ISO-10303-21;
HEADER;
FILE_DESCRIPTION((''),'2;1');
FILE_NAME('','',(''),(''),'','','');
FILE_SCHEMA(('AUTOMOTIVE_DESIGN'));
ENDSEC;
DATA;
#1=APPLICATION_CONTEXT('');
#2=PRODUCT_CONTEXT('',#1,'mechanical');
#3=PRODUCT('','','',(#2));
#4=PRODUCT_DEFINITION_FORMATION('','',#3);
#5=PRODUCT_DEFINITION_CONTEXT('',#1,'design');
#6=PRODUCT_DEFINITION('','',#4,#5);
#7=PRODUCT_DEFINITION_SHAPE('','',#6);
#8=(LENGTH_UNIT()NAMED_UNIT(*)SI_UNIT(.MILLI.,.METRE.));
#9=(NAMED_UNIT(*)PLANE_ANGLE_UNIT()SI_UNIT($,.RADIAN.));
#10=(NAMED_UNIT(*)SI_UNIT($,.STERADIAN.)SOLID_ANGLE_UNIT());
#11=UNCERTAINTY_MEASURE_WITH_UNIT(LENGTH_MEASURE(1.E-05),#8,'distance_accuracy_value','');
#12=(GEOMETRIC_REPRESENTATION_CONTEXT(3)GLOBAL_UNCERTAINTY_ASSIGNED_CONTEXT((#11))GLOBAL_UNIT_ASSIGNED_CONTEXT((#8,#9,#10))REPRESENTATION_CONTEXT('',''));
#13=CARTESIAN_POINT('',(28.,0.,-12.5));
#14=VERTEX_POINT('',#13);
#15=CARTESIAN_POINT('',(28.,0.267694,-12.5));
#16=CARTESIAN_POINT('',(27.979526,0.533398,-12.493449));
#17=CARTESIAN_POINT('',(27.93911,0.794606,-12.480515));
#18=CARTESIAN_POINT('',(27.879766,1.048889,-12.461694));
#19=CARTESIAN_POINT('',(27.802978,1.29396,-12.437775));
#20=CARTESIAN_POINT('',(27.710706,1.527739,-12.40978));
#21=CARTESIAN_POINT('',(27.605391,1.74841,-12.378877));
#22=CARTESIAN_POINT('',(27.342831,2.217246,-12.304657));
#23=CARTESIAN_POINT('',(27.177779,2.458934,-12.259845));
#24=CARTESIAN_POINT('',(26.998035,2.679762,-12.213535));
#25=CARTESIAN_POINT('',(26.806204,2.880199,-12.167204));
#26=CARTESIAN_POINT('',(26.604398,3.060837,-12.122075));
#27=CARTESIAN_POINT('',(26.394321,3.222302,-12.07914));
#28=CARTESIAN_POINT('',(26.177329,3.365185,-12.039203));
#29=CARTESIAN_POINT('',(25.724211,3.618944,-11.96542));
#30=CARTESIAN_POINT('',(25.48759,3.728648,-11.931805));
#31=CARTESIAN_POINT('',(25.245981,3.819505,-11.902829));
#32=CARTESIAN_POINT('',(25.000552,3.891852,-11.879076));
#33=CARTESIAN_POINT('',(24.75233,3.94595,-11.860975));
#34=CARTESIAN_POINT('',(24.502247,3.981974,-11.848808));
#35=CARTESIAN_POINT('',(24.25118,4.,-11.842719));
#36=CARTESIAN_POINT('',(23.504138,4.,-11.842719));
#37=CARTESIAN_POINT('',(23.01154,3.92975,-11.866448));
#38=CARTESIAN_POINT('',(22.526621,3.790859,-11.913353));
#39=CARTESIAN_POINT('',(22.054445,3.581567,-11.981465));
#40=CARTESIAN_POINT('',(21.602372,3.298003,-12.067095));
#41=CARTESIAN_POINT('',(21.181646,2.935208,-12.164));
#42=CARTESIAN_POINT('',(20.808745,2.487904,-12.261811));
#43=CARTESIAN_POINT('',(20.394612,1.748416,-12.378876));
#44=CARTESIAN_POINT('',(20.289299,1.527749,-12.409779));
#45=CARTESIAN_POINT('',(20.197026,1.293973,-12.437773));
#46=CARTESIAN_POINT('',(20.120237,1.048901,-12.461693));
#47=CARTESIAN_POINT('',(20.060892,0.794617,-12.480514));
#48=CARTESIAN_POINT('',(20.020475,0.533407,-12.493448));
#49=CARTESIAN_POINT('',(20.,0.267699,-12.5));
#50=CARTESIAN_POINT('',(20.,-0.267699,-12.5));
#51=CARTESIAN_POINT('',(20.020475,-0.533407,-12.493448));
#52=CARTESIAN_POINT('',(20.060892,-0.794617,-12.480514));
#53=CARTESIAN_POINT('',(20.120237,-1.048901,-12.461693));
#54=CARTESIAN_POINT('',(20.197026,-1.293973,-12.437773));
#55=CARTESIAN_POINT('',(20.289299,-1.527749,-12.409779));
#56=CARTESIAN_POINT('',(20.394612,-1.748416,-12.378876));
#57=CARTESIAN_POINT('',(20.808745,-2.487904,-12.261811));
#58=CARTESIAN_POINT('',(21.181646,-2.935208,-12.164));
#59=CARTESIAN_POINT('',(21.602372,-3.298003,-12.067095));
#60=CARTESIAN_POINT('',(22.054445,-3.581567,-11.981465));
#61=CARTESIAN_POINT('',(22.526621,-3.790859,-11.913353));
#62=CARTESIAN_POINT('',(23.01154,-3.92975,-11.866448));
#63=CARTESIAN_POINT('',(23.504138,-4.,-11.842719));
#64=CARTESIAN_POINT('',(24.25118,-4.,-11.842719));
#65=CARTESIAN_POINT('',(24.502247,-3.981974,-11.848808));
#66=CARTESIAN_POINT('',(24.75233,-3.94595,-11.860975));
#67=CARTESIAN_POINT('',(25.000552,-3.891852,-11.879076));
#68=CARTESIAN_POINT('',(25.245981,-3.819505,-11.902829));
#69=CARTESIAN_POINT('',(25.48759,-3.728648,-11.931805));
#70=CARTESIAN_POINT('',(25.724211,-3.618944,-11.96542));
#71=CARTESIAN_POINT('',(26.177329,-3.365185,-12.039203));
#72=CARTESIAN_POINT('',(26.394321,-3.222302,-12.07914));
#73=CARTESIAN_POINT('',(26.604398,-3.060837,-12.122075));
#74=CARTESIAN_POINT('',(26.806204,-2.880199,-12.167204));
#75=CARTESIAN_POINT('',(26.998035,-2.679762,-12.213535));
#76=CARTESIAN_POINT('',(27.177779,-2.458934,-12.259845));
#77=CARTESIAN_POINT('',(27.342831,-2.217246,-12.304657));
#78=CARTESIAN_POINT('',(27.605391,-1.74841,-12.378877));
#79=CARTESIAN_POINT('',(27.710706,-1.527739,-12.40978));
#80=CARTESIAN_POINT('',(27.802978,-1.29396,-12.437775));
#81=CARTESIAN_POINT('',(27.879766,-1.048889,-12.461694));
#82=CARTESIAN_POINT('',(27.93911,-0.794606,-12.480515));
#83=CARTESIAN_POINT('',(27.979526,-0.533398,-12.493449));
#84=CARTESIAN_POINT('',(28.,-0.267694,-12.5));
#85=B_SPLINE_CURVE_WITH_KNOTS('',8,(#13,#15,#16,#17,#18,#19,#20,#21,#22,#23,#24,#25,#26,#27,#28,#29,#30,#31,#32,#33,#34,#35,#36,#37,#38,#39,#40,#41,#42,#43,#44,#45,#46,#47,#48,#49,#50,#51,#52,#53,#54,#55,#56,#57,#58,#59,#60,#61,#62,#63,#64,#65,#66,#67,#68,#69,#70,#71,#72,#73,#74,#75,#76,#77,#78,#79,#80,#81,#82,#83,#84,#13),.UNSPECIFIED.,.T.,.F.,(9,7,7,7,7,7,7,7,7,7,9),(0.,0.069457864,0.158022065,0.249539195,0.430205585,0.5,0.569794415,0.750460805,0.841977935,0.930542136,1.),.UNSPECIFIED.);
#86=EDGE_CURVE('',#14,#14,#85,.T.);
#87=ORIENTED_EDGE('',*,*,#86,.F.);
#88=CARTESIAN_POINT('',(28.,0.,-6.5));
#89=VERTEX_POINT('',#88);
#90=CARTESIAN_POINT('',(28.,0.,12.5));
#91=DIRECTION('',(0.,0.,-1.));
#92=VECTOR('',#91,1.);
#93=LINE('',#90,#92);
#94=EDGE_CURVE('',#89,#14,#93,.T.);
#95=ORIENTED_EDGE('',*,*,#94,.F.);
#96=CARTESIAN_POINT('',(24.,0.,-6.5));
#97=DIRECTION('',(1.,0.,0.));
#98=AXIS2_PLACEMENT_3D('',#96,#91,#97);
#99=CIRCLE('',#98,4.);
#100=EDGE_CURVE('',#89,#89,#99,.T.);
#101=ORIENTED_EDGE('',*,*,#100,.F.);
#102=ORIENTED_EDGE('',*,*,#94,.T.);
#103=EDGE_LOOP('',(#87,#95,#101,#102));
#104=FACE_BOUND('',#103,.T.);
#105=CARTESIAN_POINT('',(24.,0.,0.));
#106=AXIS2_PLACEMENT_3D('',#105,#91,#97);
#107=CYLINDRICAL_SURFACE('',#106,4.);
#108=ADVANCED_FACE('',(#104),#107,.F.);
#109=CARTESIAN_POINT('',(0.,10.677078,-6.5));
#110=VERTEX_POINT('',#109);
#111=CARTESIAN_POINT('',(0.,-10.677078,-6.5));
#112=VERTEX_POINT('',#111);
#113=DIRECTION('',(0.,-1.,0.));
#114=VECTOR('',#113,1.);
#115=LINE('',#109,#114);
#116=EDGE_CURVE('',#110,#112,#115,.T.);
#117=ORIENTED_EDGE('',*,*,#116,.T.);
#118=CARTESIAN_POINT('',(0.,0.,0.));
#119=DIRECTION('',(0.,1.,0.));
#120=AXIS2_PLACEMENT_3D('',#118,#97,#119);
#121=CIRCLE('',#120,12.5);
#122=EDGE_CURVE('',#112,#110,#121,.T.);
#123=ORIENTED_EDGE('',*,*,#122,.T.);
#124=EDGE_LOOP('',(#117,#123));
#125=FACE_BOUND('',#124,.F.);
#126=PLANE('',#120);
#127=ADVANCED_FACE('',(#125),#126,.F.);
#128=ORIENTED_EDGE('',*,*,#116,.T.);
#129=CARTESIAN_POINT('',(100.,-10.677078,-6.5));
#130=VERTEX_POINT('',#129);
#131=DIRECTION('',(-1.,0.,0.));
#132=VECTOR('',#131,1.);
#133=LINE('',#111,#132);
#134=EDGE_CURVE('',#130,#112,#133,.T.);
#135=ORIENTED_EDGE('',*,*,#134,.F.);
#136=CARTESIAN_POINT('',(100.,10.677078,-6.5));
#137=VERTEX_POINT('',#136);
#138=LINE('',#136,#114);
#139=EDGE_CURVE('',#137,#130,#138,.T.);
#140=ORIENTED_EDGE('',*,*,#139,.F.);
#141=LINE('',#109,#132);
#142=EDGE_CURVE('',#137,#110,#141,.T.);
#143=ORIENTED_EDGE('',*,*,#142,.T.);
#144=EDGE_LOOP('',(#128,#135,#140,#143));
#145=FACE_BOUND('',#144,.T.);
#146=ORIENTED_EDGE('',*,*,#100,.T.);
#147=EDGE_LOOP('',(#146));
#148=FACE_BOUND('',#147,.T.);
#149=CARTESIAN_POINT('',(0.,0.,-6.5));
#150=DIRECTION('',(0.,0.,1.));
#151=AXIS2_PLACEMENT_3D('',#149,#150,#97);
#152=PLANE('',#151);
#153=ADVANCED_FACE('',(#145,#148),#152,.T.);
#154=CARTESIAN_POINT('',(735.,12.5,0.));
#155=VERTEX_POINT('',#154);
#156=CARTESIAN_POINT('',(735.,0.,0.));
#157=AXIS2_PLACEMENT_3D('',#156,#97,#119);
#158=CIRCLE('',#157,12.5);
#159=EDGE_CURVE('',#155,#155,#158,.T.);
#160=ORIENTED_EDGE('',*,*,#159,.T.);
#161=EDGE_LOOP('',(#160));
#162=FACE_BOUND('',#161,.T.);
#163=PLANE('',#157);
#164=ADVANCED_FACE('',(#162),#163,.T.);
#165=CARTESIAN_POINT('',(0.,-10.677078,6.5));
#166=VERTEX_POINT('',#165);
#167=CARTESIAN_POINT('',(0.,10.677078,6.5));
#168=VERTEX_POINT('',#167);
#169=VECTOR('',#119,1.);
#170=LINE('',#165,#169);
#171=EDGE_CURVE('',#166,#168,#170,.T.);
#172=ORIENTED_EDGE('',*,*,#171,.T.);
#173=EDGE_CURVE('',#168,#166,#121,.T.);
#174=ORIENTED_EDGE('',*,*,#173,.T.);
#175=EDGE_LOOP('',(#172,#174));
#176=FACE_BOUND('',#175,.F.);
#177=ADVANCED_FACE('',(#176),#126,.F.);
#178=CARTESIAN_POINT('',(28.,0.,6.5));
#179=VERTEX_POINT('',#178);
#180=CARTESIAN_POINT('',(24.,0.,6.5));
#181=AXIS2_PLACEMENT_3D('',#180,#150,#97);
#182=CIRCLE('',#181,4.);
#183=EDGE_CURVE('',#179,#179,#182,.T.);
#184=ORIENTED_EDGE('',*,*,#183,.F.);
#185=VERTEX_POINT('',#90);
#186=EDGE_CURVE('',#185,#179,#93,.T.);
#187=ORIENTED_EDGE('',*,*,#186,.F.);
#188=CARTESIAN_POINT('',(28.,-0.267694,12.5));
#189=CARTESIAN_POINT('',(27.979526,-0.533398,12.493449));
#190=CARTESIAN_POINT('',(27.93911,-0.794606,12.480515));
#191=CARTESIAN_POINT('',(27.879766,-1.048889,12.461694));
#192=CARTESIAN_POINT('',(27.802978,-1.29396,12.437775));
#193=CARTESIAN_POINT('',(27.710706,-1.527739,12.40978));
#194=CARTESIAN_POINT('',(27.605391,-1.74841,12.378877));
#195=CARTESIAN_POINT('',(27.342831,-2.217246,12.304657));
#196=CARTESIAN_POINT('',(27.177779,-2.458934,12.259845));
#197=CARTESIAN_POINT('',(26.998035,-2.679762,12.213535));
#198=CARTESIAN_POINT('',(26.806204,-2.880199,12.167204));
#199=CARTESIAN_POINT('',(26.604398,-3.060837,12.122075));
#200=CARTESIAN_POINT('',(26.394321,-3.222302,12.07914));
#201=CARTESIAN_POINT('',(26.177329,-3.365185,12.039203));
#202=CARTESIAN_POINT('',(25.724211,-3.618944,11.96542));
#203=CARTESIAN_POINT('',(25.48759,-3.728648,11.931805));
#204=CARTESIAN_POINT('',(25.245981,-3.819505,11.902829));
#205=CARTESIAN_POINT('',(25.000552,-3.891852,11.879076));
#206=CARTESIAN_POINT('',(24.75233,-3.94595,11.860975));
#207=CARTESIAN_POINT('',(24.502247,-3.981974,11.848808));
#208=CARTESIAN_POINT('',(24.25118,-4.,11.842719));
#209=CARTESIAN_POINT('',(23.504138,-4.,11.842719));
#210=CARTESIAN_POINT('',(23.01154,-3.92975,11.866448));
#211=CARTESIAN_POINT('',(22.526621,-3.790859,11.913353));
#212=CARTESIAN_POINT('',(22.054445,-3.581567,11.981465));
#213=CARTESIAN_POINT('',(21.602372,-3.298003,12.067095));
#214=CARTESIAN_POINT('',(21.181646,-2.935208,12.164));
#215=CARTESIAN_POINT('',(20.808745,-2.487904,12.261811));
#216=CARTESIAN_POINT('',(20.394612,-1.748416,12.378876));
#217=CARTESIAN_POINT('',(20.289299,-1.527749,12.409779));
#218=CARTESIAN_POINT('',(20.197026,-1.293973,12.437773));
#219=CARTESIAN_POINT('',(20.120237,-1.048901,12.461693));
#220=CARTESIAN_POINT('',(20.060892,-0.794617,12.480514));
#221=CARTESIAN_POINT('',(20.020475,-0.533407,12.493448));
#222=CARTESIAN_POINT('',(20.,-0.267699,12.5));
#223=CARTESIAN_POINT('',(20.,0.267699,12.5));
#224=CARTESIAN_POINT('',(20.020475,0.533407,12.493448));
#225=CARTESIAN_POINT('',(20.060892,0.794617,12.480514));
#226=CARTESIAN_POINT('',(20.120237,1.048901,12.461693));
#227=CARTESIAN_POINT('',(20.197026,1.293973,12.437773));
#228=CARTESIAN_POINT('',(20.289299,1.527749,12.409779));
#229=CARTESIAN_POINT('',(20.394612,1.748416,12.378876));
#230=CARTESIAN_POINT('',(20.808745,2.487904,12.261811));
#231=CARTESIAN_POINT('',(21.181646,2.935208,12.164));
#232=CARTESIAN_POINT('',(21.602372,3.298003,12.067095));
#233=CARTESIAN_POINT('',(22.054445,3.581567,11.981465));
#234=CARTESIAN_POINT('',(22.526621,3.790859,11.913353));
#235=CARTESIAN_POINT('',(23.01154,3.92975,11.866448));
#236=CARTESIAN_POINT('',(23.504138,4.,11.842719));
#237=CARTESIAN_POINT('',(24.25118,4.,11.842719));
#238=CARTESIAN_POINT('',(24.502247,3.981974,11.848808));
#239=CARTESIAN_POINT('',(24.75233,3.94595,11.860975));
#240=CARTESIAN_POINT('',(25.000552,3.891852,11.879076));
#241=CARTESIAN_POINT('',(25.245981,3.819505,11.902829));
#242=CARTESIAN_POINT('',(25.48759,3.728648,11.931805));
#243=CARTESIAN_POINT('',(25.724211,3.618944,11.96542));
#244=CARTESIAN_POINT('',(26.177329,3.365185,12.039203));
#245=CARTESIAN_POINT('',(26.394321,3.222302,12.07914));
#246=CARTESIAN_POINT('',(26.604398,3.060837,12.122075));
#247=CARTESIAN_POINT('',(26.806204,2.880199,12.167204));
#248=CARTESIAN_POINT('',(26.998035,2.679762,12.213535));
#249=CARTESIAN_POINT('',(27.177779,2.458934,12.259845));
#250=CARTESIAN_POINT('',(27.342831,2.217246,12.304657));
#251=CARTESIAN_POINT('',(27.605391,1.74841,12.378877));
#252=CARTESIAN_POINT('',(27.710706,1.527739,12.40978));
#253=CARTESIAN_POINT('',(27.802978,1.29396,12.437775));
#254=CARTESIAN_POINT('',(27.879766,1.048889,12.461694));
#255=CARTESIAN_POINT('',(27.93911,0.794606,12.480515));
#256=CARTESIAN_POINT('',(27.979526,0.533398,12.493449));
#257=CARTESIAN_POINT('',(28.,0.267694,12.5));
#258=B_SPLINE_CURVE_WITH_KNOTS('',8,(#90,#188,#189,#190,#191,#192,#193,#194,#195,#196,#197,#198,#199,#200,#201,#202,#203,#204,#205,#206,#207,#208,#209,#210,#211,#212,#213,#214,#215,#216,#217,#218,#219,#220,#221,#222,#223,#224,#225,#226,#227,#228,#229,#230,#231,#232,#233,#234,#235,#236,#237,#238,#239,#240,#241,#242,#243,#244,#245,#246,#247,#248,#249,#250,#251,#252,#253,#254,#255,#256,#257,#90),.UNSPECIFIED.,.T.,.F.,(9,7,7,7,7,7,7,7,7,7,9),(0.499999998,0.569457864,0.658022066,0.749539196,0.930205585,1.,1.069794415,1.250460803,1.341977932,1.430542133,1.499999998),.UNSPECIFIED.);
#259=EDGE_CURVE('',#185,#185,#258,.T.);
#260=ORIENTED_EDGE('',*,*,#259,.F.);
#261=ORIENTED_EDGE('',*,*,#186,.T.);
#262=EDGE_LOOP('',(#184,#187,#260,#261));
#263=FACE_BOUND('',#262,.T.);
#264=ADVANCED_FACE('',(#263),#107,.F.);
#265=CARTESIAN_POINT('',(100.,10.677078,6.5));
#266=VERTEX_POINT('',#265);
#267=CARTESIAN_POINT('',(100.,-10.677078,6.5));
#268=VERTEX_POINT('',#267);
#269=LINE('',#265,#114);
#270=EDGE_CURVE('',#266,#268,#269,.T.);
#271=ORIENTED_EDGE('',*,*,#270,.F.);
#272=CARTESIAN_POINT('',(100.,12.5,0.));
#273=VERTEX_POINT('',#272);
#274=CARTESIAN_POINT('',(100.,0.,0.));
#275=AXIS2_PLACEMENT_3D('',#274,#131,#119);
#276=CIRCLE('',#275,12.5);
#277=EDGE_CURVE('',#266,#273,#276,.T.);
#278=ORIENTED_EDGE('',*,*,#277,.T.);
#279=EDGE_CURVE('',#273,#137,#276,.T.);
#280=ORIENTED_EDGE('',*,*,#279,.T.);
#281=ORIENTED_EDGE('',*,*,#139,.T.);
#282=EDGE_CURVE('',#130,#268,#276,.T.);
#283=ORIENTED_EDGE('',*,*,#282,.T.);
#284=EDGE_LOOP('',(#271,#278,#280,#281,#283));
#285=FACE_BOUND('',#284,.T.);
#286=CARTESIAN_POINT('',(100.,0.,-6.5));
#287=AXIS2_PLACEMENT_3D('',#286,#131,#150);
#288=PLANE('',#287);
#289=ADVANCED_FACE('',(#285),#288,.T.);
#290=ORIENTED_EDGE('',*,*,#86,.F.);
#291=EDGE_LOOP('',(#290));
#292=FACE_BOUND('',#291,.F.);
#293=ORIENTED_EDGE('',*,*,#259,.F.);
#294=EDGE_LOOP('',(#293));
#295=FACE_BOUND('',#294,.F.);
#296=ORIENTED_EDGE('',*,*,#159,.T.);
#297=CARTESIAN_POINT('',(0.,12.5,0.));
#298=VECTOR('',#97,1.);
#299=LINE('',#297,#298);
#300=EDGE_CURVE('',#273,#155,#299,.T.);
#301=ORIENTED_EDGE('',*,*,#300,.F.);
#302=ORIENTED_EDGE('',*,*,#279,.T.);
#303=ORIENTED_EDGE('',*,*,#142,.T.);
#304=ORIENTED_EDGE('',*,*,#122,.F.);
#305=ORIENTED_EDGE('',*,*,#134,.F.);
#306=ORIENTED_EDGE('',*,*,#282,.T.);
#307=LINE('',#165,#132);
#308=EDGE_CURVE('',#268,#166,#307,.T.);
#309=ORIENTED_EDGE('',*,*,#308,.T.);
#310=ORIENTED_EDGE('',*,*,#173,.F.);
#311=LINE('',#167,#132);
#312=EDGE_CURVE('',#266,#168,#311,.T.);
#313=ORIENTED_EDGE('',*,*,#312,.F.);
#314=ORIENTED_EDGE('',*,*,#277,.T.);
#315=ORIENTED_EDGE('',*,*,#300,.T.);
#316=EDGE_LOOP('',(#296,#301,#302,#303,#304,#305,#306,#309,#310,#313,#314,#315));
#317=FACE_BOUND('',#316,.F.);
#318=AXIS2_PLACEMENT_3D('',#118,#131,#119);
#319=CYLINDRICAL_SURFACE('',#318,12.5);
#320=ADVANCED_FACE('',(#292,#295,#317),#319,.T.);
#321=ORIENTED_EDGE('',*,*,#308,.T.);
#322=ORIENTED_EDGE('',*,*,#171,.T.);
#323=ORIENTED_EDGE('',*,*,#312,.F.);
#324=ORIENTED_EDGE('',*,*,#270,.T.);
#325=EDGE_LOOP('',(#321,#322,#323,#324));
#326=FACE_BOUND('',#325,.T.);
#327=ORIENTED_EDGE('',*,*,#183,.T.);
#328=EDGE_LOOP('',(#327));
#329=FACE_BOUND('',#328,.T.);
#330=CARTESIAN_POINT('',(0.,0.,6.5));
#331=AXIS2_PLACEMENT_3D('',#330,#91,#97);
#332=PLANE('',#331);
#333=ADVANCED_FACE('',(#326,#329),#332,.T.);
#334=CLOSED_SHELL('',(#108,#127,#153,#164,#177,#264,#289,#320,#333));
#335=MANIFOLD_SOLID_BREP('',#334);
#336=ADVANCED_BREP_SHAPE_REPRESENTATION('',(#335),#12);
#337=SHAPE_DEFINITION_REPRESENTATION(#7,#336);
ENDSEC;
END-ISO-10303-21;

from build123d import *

# Parameters (mm, degrees)
F0_R          = 12.5
F1_DEPTH      = 735
F2_R          = 4
F3_DEPTH      = 12.5
F3_DEPTH_BACK = 12.5
F4_W          = 100
F4_H          = 13
F5_DEPTH      = 25.4
F5_DEPTH_BACK = 25.4


with BuildPart() as f1:
    # F0 (on Right) → F1 (new body)
    with BuildSketch(Plane.YZ):
        Circle(F0_R)
    extrude(amount=F1_DEPTH)

    # F2 (on Top) → F3 (cut, two sides)
    with BuildSketch(Plane.XY) as f3_sk:
        with Locations((24, 0)):
            Circle(F2_R)
    extrude(amount=-F3_DEPTH, mode=Mode.SUBTRACT)
    extrude(f3_sk.sketch, amount=F3_DEPTH_BACK, mode=Mode.SUBTRACT)

    # F4 (on Front) → F5 (cut, two sides)
    with BuildSketch(Plane.XZ) as f5_sk:
        with Locations((50, 0)):
            Rectangle(F4_W, F4_H)
    extrude(amount=-F5_DEPTH, mode=Mode.SUBTRACT)
    extrude(f5_sk.sketch, amount=F5_DEPTH_BACK, mode=Mode.SUBTRACT)


solid = f1.part
